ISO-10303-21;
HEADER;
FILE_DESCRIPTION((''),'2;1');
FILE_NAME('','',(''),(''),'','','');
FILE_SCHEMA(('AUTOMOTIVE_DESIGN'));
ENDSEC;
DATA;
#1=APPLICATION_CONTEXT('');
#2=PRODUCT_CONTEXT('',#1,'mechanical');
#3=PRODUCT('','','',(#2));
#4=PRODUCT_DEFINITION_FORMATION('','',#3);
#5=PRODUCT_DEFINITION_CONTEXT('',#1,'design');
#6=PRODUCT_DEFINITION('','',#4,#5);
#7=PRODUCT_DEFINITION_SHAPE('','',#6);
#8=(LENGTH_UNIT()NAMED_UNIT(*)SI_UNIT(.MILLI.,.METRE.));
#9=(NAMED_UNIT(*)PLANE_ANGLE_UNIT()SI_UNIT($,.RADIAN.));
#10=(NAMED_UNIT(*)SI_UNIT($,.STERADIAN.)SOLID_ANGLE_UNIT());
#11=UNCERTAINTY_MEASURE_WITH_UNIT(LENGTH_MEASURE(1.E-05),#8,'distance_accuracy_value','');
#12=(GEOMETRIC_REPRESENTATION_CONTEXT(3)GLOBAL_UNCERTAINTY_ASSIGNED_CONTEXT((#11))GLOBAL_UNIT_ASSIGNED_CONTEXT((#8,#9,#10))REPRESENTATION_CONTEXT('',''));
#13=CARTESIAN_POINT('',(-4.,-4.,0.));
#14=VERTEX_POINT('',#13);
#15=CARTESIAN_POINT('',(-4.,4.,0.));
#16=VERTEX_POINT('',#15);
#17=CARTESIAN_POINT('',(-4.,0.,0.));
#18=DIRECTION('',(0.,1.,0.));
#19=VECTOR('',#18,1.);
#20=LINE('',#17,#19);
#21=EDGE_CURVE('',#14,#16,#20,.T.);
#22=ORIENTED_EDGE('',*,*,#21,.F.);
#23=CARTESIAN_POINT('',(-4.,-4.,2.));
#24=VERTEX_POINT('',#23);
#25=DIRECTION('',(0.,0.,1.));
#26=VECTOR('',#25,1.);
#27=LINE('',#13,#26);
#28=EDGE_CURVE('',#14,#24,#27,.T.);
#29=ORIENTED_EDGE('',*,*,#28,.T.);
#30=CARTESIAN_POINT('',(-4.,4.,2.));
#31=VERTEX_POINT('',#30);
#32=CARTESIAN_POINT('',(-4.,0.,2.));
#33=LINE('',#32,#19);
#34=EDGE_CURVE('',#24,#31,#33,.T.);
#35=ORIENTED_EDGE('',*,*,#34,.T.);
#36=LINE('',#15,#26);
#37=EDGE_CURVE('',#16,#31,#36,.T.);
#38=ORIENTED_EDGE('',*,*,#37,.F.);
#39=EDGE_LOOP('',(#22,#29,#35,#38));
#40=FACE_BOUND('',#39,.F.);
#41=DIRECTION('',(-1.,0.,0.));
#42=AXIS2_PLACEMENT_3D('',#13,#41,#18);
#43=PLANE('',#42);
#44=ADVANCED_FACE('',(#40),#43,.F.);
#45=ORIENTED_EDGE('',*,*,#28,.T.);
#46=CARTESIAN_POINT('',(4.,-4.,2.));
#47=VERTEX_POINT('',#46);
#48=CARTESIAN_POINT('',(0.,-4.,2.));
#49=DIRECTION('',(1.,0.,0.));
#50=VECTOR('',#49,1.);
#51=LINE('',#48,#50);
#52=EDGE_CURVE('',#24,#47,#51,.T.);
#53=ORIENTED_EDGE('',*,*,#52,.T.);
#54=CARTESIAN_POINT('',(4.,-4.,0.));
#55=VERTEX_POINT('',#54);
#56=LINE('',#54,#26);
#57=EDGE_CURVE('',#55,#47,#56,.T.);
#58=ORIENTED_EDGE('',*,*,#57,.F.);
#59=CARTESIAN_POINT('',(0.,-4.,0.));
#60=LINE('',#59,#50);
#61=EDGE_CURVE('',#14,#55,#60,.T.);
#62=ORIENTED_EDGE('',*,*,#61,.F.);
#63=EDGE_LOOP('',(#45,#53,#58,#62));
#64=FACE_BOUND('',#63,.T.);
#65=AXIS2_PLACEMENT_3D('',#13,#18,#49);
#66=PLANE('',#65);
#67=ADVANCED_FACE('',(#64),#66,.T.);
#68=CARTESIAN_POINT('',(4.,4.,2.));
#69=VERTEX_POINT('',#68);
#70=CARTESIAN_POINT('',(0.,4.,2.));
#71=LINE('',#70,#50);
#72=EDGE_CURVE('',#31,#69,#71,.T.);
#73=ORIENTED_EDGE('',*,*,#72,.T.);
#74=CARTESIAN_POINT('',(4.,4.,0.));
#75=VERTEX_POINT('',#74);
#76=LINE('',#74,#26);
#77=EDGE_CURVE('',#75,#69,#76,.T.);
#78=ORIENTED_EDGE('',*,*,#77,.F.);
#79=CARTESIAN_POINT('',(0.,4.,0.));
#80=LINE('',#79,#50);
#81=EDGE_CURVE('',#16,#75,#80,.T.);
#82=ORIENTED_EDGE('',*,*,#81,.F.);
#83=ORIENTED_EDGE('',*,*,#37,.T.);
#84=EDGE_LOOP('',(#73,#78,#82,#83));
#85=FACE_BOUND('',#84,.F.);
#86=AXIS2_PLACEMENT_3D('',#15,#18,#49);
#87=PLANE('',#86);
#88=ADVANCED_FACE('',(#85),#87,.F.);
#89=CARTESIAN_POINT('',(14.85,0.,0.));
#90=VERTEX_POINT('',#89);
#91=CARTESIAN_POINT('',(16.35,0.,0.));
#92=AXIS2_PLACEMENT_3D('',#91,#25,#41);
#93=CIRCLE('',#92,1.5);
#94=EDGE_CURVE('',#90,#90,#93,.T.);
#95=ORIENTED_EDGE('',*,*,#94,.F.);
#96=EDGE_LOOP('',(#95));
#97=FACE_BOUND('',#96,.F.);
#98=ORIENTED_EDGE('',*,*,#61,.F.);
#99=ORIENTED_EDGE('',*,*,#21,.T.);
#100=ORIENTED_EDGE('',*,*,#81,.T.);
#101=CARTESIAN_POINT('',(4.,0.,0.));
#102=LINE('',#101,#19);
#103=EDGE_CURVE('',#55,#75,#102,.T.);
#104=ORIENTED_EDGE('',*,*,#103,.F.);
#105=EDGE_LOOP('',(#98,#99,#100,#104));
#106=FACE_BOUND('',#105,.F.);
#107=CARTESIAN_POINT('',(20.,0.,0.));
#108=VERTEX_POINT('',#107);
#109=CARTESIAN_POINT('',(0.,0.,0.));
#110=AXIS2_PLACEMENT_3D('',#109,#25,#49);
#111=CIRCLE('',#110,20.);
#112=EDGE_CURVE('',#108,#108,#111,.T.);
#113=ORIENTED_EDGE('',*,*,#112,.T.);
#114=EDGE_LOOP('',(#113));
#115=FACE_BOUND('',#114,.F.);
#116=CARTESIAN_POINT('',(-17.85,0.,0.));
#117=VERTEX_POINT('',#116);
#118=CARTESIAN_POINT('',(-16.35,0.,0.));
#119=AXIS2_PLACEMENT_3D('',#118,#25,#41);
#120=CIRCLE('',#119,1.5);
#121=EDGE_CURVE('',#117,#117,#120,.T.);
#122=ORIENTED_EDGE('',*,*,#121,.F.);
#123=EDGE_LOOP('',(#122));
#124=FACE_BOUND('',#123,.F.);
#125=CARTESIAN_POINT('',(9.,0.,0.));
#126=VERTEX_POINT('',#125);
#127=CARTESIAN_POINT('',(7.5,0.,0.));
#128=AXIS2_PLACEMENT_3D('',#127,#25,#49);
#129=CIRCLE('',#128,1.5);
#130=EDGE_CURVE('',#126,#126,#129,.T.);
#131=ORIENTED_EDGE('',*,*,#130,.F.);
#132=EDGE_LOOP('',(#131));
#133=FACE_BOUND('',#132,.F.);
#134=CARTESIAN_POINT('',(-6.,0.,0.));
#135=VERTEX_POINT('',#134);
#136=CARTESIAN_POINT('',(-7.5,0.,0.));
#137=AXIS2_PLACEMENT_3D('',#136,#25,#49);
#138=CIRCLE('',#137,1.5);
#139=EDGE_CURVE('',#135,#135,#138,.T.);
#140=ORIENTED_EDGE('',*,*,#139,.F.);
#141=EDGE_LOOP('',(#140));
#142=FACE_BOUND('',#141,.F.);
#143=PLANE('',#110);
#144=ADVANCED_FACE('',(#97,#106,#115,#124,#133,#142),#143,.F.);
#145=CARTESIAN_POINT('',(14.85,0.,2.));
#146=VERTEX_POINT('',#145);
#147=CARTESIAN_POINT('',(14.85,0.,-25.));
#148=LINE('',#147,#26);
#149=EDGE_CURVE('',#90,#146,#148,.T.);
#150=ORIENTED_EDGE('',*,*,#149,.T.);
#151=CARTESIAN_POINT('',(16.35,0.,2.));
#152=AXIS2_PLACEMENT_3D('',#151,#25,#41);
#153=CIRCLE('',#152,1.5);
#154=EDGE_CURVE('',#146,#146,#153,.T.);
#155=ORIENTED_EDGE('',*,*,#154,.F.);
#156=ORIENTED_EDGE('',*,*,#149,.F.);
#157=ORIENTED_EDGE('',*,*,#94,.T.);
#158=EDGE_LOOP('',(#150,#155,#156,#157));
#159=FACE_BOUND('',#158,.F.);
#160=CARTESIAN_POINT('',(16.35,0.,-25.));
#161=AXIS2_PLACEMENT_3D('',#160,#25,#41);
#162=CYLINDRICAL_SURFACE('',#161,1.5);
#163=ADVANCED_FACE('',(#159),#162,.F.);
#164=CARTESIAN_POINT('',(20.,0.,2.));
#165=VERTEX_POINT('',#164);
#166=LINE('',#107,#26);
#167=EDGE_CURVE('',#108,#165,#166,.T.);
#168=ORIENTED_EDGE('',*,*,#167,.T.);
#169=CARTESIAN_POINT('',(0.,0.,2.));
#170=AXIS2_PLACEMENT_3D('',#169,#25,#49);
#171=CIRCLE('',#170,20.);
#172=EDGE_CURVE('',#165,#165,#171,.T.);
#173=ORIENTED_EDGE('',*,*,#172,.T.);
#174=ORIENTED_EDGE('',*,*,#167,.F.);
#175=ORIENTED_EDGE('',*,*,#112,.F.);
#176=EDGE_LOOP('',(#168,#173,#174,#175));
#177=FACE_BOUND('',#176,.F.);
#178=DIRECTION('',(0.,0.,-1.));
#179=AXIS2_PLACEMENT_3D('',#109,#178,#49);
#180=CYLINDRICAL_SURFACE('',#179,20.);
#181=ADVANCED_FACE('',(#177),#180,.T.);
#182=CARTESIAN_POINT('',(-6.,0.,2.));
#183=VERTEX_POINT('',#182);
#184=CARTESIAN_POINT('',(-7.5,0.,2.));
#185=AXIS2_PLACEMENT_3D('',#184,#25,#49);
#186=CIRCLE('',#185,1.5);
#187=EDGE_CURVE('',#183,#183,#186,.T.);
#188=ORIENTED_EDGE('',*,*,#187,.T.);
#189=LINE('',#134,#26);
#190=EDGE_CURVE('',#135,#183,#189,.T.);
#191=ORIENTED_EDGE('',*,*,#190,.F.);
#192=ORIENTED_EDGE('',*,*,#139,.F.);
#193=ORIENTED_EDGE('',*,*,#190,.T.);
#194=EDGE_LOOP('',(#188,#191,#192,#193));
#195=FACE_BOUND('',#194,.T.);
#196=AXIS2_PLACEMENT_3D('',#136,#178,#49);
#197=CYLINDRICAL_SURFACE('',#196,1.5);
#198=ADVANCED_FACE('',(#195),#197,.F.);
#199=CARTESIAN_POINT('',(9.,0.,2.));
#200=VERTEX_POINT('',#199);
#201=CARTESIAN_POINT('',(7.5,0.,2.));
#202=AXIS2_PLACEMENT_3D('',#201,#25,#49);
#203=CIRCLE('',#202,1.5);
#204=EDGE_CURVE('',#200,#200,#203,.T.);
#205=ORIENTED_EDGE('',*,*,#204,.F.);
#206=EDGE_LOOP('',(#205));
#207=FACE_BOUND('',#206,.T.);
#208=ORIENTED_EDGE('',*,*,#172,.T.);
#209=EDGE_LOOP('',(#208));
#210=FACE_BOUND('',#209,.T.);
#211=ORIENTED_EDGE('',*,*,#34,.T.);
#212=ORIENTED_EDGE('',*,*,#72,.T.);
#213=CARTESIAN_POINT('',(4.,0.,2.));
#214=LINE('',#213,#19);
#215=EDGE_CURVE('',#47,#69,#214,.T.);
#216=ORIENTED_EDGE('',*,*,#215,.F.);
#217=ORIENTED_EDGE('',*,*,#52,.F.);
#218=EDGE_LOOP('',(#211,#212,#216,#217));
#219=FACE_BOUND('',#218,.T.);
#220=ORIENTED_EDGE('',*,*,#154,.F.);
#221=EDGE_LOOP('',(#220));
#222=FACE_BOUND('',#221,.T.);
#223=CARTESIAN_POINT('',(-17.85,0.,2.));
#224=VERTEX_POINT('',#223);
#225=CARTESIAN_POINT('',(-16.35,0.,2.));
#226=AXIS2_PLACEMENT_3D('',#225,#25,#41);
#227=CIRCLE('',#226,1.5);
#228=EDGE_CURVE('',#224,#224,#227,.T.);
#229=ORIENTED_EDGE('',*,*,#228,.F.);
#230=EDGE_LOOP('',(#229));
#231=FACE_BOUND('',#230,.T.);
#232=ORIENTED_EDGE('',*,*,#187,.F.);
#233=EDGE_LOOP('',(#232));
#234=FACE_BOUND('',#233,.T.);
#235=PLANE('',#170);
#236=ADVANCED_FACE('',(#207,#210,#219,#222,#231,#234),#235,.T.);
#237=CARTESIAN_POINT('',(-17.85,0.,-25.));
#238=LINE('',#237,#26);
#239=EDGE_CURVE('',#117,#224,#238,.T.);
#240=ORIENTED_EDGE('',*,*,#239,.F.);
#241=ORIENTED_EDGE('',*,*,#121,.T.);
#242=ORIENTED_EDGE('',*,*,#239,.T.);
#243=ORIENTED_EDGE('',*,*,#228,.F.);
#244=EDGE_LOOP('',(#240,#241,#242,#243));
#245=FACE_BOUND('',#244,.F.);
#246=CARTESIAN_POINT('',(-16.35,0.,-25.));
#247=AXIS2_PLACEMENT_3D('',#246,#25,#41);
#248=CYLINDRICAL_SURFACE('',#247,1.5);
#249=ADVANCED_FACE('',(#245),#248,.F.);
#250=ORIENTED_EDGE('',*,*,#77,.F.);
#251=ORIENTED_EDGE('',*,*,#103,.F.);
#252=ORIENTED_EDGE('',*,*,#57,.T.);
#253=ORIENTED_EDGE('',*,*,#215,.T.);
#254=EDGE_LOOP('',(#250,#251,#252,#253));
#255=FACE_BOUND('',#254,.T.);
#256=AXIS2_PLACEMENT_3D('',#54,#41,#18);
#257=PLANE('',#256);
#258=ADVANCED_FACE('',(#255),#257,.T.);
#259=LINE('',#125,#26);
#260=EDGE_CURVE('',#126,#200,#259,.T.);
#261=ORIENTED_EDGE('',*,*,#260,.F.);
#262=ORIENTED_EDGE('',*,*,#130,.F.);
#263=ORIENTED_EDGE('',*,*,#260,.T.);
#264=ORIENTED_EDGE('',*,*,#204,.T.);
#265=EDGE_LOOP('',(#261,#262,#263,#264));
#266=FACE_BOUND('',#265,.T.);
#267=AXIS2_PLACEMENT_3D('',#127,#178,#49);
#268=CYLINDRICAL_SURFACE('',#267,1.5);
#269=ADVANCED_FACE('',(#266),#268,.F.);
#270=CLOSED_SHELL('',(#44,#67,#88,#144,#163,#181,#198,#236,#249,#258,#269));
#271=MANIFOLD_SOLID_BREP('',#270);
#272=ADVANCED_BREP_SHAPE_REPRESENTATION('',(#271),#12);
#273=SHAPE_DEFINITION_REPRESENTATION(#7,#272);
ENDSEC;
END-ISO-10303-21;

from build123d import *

# Parameters (mm, degrees)
F0_R     = 20
F0_W     = 22
F0_H     = 22
F0_R_2   = 10
F0_R_3   = 1.5
F0_W_2   = 8
F0_H_2   = 8
F1_DEPTH = 2
F2_D     = 3
F2_DEPTH = 25
F2_TIP   = 0.9012909285


with BuildPart() as f1:
    # F0 (on Top) → F1 (new body)
    with BuildSketch(Plane.XY):
        Circle(F0_R)
        Rectangle(F0_W, F0_H, mode=Mode.SUBTRACT)
        Rectangle(F0_W, F0_H)
        Circle(F0_R_2, mode=Mode.SUBTRACT)
        Circle(F0_R_2)
        with Locations((-7.5, 0)):
            Circle(F0_R_3, mode=Mode.SUBTRACT)
        Rectangle(F0_W_2, F0_H_2, mode=Mode.SUBTRACT)
        with Locations((7.5, 0)):
            Circle(F0_R_3, mode=Mode.SUBTRACT)
    extrude(amount=F1_DEPTH)

    # F2
    with Locations(Plane(origin=(0, 0, 0), x_dir=(1, 0, 0), z_dir=(0, 0, -1))):
        with Locations((-16.35, 0), (16.35, 0)):
            Hole(F2_D / 2, depth=F2_DEPTH)
            with Locations((0, 0, -(F2_DEPTH + F2_TIP / 2))):  # 118° drill point
                Cone(0, F2_D / 2, F2_TIP, mode=Mode.SUBTRACT)


solid = f1.part
